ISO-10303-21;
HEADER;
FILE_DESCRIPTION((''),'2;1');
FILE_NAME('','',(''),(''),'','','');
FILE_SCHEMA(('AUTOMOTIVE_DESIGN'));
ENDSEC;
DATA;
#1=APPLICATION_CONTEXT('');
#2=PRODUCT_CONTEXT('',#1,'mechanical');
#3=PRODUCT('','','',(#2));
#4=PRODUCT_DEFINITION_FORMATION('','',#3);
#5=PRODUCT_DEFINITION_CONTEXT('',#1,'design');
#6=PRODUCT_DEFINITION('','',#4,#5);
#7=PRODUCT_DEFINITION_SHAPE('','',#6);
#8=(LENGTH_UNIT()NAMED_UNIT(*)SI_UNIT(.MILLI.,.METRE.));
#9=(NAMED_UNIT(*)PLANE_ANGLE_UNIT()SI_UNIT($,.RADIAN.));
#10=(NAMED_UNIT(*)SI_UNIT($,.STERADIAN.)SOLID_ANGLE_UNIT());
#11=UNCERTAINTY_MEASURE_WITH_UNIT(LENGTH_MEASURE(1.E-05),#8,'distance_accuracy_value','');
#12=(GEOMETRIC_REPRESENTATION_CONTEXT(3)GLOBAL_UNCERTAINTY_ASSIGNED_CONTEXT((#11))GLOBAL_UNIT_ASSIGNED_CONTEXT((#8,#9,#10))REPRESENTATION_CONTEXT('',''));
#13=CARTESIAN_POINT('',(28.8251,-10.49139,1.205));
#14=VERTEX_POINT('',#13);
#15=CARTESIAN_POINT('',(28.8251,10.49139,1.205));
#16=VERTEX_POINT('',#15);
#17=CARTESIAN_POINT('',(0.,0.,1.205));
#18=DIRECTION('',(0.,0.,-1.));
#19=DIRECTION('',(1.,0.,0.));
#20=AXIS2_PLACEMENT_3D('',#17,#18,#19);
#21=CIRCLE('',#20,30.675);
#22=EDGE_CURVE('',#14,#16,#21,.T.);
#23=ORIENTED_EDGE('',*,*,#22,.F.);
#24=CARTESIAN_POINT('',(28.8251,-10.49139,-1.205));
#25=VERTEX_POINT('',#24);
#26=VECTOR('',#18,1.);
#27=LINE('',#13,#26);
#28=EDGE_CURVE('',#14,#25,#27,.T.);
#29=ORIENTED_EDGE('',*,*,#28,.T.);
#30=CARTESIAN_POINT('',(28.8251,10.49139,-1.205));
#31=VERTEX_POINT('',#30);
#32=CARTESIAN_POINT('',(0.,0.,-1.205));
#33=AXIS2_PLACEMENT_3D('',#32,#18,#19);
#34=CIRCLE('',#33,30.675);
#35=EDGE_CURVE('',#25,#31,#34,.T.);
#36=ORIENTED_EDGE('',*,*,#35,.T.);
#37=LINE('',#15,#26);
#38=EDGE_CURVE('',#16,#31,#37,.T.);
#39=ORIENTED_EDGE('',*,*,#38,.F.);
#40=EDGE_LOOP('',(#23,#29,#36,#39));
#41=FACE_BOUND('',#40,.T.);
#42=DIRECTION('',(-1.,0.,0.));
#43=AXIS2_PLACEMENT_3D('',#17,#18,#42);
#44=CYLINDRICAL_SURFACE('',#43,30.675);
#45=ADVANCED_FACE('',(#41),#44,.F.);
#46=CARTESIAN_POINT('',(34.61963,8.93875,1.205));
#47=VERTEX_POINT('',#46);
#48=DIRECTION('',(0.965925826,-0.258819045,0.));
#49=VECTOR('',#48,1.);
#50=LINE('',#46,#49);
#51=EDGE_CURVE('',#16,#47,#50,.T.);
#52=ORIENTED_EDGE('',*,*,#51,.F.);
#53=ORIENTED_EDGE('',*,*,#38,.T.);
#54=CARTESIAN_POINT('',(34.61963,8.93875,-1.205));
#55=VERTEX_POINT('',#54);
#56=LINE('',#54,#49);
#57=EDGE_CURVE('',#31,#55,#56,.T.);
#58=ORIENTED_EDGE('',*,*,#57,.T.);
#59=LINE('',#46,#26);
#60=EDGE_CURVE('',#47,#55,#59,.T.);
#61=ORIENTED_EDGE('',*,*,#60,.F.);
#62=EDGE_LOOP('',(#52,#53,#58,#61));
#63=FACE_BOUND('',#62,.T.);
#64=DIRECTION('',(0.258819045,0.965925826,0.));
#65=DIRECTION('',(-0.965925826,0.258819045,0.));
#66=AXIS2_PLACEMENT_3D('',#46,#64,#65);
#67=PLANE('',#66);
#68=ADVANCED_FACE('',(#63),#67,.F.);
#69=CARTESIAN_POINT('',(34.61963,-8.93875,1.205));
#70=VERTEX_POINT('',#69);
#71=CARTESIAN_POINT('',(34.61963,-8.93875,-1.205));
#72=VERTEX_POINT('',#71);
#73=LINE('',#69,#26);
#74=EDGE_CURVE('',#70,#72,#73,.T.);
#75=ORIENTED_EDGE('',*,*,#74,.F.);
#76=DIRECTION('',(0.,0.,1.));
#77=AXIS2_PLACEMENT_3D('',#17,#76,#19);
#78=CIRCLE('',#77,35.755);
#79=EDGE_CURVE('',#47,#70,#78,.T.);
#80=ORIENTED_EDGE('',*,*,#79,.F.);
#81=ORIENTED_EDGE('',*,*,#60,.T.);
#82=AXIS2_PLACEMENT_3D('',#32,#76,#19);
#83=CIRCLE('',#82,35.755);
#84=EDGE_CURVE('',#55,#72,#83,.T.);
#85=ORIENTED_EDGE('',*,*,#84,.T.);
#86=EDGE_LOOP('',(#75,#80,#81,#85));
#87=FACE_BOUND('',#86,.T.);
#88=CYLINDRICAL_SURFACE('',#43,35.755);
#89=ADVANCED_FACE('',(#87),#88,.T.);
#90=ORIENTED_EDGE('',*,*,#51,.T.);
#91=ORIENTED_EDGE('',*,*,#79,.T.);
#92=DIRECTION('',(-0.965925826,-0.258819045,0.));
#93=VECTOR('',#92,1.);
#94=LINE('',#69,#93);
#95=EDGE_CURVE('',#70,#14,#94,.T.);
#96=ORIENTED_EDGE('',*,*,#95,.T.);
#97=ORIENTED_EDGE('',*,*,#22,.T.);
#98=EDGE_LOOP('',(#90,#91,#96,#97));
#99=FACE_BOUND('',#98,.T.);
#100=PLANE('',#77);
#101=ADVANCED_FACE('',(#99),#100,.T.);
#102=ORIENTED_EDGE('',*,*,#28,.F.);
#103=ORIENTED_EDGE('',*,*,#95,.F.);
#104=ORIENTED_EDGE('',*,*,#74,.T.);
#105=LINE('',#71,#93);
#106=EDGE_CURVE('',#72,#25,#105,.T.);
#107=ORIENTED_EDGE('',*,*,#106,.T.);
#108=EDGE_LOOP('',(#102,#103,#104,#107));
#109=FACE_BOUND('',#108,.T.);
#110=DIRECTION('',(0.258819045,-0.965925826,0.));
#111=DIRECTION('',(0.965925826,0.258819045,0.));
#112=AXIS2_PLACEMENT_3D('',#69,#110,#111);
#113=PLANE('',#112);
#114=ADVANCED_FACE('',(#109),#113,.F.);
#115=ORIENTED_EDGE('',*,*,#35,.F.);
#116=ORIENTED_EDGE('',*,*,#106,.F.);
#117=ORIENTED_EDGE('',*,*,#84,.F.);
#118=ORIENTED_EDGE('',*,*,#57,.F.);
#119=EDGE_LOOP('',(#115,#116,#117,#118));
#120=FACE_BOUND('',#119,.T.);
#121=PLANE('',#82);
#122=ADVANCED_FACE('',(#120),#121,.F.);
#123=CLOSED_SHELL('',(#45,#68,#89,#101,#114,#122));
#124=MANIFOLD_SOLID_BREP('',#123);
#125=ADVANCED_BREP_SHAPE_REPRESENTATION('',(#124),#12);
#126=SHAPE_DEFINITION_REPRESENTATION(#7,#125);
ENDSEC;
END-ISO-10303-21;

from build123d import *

# Parameters (mm, degrees)
BOSS_EXTRUDE1_DEPTH = 1.205


with BuildPart() as part:
    # Sketch2 → Boss-Extrude1 (new, symmetric)
    with BuildSketch(Plane.XY):
        with BuildLine():
            Line((34.619629886, 8.93875), (28.8250996, 10.491389711))
            ThreePointArc((28.8250996, 10.491389711), (-30.675, 0), (28.8250996, -10.491389711))
            Line((28.8250996, -10.491389711), (34.619629886, -8.93875))
            ThreePointArc((34.619629886, -8.93875), (-35.755, 0), (34.619629886, 8.93875))
        make_face()
    extrude(amount=BOSS_EXTRUDE1_DEPTH, both=True)


solid = part.part
